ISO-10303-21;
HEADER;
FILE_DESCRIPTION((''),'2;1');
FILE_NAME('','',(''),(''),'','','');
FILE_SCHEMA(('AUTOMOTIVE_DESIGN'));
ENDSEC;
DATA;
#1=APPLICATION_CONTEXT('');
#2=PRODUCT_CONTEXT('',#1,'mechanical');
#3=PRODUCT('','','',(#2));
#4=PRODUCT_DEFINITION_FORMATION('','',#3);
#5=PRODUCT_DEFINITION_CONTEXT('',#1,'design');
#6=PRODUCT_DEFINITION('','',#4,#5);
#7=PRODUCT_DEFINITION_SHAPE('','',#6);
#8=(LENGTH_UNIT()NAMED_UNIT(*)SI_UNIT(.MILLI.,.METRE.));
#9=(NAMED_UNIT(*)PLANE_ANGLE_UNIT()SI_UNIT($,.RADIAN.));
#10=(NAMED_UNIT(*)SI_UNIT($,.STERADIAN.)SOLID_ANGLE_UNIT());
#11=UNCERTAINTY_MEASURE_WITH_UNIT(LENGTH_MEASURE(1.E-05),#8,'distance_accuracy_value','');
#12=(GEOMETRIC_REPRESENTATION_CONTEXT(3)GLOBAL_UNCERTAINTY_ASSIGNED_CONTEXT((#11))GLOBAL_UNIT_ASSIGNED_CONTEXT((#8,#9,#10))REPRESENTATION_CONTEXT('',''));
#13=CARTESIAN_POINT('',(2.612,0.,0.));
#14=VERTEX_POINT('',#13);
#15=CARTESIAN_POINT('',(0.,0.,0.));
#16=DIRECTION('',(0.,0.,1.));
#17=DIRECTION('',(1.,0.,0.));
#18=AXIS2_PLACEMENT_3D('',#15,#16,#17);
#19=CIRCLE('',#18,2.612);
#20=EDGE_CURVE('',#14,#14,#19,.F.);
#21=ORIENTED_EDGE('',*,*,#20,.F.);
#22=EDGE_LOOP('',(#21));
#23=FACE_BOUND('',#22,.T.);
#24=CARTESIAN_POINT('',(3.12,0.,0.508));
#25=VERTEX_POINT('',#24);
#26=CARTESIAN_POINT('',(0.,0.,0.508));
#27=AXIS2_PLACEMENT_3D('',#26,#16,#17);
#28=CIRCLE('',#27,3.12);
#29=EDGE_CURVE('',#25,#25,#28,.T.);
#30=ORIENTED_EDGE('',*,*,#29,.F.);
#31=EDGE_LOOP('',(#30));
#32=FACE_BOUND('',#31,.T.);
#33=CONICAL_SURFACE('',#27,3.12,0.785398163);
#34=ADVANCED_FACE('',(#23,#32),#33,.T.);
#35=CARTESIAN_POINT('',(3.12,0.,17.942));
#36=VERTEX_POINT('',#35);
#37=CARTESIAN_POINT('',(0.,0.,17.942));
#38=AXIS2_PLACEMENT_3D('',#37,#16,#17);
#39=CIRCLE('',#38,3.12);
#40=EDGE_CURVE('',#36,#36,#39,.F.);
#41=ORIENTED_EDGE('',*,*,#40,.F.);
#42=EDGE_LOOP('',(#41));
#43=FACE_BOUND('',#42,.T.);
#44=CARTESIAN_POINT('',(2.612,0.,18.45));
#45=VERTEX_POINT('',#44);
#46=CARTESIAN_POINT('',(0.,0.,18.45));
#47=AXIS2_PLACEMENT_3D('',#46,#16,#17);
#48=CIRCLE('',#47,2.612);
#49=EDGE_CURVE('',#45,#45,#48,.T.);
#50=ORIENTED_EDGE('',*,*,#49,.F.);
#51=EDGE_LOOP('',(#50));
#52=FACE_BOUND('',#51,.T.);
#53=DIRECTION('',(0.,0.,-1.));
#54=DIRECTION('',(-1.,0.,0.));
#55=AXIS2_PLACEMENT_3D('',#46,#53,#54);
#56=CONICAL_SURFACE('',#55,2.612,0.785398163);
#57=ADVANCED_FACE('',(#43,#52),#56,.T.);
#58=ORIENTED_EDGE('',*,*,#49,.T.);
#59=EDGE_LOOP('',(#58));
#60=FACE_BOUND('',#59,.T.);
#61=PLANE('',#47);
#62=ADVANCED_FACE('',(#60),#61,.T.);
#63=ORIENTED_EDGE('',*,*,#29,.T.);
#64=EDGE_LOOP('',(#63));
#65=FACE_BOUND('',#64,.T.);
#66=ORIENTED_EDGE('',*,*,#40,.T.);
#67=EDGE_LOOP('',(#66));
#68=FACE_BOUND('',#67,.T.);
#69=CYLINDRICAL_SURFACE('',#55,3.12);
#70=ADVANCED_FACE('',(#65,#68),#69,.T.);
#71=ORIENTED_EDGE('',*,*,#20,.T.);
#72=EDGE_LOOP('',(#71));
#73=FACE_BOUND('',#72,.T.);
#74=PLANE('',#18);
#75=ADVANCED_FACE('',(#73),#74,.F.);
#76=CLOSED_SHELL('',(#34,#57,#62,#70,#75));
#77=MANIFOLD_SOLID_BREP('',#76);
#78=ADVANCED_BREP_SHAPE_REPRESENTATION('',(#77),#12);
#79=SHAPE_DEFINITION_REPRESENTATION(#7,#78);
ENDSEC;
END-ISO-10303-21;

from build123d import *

# Parameters (mm, degrees)
SKETCH1_R      = 3.12
EXTRUDE1_DEPTH = 18.45
CHAMFER1_SIZE  = 0.508


with BuildPart() as part:
    # Sketch1 → Extrude1 (new body)
    with BuildSketch(Plane.XY):
        Circle(SKETCH1_R)
    extrude(amount=EXTRUDE1_DEPTH)

    # Chamfer1
    chamfer1_edges = [part.edges().sort_by_distance(p)[0] for p in [
        (-3.12, 0, 0),
        (-3.12, 0, 18.45),
    ]]
    chamfer(chamfer1_edges, length=CHAMFER1_SIZE)


solid = part.part
